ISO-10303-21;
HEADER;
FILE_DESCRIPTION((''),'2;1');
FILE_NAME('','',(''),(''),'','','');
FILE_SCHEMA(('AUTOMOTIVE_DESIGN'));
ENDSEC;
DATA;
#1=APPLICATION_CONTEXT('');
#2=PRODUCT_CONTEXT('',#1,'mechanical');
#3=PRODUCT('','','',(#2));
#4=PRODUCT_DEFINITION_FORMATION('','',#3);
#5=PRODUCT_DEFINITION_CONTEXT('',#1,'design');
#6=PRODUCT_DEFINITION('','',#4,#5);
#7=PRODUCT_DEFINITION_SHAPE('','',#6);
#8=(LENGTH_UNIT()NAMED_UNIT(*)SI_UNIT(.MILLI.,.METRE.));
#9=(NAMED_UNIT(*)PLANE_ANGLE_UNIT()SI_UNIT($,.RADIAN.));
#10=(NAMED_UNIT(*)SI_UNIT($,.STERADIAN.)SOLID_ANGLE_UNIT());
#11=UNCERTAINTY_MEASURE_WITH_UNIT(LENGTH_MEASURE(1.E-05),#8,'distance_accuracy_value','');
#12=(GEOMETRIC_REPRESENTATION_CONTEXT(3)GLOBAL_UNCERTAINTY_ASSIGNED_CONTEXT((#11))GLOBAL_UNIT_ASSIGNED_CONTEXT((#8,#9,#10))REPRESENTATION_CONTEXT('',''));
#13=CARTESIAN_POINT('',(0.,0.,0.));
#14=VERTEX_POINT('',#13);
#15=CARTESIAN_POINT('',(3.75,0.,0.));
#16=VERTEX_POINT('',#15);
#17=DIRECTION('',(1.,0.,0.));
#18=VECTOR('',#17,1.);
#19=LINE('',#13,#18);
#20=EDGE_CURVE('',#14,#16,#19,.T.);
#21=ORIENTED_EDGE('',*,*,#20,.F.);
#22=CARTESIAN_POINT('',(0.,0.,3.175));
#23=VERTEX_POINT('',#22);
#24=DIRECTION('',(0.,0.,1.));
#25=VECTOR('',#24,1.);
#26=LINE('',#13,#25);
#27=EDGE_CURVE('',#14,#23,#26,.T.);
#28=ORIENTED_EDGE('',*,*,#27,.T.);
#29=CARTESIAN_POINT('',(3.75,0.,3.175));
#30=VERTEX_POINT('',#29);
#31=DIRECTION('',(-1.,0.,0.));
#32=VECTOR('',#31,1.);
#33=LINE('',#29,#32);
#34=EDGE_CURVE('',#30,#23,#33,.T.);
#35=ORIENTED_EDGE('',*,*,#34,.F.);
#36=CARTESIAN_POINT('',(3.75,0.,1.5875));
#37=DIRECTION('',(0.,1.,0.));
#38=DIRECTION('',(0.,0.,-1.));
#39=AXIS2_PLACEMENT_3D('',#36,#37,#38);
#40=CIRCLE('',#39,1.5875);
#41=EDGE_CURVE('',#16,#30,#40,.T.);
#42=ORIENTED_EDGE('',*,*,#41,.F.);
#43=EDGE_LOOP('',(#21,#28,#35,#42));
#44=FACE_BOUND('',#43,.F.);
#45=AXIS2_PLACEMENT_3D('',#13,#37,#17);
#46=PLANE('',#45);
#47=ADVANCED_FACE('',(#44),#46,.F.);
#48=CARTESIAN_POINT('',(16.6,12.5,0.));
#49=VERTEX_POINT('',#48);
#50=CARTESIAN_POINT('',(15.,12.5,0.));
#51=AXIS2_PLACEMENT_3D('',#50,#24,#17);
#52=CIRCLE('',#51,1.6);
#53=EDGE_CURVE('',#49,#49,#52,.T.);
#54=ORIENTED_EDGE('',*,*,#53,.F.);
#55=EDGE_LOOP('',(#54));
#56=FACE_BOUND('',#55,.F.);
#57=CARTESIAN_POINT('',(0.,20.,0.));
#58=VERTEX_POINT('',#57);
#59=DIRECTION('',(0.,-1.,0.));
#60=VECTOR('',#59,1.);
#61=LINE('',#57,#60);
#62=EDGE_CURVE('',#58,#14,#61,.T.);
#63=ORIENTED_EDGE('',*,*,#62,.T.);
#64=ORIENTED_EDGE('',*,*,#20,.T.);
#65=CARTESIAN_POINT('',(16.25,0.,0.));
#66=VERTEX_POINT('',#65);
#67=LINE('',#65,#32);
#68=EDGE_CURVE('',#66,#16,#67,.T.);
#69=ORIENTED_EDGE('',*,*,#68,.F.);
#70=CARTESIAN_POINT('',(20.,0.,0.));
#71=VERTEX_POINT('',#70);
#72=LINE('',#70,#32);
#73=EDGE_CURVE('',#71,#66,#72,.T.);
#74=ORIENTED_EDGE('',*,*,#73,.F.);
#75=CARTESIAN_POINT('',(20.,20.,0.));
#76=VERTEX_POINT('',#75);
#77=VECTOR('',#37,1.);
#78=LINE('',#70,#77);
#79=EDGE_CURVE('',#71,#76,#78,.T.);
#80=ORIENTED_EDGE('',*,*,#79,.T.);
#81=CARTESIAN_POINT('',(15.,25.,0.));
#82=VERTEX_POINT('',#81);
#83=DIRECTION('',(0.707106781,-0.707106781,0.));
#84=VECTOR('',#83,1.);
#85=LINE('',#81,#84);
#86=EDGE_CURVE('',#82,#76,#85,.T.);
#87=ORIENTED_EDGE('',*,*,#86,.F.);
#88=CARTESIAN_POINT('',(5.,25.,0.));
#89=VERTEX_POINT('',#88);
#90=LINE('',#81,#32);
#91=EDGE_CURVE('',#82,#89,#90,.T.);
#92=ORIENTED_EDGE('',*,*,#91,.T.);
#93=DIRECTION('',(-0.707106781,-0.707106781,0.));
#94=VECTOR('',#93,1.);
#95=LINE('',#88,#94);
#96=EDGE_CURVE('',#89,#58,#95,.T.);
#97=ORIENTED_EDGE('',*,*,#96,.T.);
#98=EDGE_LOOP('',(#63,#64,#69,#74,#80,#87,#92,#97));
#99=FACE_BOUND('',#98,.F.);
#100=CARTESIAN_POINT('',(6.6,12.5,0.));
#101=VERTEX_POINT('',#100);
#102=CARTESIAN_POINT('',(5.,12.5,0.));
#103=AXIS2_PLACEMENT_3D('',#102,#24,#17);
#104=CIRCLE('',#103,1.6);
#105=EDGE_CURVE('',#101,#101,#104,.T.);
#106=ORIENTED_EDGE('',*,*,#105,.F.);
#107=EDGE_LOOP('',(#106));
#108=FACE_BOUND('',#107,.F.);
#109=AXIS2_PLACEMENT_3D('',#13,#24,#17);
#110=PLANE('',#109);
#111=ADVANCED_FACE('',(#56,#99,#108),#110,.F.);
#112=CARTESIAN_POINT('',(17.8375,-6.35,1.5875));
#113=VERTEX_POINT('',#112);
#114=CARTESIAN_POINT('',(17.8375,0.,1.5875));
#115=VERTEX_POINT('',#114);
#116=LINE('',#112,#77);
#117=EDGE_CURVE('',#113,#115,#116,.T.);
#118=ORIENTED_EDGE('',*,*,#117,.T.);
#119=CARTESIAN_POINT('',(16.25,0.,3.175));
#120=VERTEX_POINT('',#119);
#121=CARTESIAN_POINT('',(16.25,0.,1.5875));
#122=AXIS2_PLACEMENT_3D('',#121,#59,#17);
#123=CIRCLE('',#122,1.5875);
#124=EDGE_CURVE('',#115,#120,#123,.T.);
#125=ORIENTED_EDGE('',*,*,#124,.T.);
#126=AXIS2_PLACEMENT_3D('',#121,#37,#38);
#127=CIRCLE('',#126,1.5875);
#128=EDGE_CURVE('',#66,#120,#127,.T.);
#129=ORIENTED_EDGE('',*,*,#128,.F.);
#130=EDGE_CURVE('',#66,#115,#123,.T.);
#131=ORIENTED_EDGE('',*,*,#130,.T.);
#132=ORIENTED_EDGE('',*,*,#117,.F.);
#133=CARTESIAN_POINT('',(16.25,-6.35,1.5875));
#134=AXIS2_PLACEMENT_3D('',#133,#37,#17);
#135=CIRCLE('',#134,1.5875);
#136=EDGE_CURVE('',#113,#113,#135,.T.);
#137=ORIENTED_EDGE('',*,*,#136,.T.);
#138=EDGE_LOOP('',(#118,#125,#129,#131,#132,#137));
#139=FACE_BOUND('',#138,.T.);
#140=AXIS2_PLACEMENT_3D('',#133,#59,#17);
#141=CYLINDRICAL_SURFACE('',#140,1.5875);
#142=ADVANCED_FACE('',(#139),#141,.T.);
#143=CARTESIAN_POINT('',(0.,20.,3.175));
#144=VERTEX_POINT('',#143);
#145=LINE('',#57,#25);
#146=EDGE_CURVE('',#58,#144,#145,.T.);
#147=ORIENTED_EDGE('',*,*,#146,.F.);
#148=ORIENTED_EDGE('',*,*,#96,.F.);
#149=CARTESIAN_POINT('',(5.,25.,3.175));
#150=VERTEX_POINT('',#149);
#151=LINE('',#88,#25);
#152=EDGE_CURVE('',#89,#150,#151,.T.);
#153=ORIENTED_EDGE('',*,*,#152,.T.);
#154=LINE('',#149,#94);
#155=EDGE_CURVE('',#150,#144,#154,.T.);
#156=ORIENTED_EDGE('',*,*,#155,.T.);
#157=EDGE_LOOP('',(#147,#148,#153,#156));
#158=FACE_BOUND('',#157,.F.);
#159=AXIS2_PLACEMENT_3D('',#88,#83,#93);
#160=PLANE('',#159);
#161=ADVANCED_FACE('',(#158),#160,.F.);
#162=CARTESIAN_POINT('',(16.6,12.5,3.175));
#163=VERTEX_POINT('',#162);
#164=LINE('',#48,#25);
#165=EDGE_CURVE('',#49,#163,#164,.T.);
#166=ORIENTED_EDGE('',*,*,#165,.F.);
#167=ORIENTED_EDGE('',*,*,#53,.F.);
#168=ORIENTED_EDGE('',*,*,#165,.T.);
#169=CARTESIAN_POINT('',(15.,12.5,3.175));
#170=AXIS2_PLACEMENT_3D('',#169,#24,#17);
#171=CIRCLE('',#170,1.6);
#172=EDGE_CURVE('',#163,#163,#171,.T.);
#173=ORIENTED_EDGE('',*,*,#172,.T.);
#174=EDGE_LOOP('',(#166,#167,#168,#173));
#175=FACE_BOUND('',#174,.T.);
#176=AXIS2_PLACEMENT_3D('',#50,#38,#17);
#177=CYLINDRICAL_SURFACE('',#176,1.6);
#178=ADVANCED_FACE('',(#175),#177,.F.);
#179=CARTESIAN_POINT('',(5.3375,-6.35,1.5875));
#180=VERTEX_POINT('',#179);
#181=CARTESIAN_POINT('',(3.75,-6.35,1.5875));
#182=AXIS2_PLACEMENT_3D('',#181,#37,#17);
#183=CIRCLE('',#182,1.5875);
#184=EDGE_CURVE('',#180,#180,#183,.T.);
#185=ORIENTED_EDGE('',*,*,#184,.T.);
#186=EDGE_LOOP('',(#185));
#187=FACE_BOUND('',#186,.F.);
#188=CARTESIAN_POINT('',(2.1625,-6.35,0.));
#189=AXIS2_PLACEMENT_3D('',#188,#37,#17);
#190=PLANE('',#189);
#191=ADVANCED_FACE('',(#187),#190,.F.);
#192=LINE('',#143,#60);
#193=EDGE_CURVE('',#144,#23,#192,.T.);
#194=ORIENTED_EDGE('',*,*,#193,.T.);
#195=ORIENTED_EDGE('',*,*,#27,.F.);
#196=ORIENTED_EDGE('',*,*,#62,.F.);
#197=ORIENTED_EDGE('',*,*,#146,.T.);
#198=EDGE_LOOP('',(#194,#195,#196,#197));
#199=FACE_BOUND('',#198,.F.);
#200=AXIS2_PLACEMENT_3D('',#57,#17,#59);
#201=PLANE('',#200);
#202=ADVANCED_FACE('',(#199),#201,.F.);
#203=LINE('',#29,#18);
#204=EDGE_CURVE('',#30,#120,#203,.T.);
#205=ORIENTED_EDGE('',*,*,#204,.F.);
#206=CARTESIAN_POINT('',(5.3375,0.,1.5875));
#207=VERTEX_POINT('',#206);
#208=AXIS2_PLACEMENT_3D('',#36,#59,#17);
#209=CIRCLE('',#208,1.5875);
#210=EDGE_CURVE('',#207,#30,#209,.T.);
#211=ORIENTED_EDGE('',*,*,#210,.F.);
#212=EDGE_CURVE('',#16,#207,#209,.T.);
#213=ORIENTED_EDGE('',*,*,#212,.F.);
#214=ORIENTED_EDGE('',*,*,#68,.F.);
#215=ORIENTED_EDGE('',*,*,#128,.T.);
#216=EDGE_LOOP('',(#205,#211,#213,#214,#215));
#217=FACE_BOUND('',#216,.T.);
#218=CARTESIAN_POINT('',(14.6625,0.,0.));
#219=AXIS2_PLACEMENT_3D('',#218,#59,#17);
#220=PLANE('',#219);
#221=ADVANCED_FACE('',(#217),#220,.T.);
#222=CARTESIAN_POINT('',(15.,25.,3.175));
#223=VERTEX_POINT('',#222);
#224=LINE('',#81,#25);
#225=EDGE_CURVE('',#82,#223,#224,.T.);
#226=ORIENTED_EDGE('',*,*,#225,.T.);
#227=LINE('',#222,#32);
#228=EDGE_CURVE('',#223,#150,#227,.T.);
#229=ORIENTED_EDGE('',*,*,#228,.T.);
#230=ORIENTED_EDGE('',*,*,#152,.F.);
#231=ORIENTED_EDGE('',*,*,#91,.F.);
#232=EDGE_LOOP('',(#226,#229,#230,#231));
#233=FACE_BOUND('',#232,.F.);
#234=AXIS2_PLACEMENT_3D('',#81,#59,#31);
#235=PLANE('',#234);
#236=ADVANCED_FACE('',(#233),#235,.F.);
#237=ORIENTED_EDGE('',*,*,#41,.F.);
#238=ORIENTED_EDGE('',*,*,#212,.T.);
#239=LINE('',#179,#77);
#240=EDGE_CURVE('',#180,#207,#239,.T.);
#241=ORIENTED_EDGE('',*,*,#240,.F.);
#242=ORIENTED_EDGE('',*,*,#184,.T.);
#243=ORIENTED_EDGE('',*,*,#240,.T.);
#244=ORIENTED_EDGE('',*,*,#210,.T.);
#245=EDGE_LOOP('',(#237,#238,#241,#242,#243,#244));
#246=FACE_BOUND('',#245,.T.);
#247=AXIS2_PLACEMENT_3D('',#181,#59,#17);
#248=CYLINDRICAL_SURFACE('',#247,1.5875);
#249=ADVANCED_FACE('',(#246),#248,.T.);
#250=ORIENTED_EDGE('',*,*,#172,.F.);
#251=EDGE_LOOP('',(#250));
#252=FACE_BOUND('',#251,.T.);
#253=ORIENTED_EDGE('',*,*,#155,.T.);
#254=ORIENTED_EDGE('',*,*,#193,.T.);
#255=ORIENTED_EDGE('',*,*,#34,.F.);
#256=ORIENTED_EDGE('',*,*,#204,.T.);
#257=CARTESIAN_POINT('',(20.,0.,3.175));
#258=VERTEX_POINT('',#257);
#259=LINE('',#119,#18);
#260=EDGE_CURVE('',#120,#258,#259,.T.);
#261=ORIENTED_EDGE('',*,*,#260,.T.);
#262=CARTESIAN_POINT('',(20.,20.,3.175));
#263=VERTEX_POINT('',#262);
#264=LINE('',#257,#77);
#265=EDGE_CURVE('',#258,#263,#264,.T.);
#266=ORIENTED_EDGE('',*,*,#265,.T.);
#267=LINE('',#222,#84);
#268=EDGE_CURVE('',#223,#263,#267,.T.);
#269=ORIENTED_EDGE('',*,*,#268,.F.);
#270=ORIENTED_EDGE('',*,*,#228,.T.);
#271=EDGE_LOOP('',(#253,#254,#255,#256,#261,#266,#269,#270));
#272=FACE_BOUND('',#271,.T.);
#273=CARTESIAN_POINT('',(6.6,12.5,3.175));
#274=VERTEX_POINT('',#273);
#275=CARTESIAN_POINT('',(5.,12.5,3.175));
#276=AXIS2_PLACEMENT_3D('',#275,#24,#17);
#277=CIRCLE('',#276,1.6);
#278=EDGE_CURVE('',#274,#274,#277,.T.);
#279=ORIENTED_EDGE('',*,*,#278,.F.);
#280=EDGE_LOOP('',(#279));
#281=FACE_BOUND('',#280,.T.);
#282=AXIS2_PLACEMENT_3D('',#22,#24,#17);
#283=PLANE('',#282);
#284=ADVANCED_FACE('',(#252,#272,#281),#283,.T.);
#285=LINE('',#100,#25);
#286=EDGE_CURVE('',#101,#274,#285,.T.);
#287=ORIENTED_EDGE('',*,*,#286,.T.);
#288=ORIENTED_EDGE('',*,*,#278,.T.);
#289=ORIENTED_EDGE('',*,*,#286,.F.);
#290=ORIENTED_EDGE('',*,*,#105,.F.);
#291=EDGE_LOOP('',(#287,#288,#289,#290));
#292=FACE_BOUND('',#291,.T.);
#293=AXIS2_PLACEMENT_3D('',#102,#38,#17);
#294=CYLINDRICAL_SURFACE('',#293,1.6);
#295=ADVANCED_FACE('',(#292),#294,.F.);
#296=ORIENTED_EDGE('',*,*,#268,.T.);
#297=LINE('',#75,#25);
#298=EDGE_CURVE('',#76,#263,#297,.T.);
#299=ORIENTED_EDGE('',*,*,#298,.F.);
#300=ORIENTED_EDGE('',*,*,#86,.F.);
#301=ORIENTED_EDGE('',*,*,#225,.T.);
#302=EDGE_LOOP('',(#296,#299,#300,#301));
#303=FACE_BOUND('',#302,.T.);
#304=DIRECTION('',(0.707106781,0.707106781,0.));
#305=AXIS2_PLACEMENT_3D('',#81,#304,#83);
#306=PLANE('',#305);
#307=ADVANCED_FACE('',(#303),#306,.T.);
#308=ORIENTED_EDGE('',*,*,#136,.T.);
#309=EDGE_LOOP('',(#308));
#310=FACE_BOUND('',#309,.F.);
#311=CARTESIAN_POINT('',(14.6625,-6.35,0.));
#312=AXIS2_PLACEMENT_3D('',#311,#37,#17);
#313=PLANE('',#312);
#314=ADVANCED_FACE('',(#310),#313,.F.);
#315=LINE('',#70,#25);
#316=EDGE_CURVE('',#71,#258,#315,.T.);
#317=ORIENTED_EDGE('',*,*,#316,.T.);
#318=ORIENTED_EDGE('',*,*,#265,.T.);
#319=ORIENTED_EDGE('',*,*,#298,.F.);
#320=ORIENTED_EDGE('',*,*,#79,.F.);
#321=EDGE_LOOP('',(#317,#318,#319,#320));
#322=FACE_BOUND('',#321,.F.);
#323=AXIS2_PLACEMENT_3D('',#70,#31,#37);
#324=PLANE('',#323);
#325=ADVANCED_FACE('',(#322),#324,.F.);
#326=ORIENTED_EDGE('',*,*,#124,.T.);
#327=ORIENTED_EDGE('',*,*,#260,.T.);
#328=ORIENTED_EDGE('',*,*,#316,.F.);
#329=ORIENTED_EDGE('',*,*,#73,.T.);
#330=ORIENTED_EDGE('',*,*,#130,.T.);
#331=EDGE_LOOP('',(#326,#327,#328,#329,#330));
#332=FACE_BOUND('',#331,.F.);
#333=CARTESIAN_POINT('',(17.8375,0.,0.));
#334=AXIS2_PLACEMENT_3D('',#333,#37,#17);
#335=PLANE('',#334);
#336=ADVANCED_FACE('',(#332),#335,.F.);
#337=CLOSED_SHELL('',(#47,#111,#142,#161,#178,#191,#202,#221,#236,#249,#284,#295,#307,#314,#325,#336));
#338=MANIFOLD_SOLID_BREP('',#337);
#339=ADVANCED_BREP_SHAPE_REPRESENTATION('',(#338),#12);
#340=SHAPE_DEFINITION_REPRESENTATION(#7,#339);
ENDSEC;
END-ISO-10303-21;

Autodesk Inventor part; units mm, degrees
ref_plane "YZ Plane" through (0, 0, 0) normal (1, 0, 0) x (0, 1, 0)
ref_plane "XZ Plane" through (0, 0, 0) normal (0, 1, 0) x (-1, 0, 0)
ref_plane "XY Plane" through (0, 0, 0) normal (0, 0, 1) x (1, 0, 0)
sketch "Sketch1" plane through (0, 0, 0) normal (0, 0, 1) x (1, 0, 0)
  line L0 (0, 0) -> (20, 0)
  line L1 (20, 0) -> (20, 20)
  line L2 (15, 25) -> (5, 25)
  line L3 (0, 20) -> (0, 0)
  circle A0 centre (5, 12.5) radius 1.6
  circle A1 centre (15, 12.5) radius 1.6
  line L4 (5, 25) -> (0, 20)
  line L5 (15, 25) -> (20, 20)
  line L6 (2.1625, 0) -> (2.1625, -6.35)
  line L7 (2.1625, -6.35) -> (5.3375, -6.35)
  line L8 (5.3375, -6.35) -> (5.3375, 0)
  line L9 (14.6625, 0) -> (14.6625, -6.35)
  line L10 (14.6625, -6.35) -> (17.8375, -6.35)
  line L11 (17.8375, -6.35) -> (17.8375, 0)
  point P0 (20, 25)
  point P1 (0, 25)
  dimension "d0" = 25
  dimension "d1" = 20
  dimension "d2" = 3.2
  dimension "d3" = 5
  dimension "d4" = 12.5
  dimension "d7" = 5
  dimension "d8" = 12.5
  dimension "d9" = 5
  dimension "d10" = 5
  dimension "d11" = 5
  dimension "d12" = 5
  dimension "d13" = 3.175
  dimension "d14" = 6.35
  dimension "d15" = 9.325
  dimension "d16" = 2.1625
  dimension "d17" = 2.1625
extrude "Extrusion1" add sketch "Sketch1" along normal blind 3.175
sketch "Sketch2" plane through (14.6625, -6.35, 0) normal (0, -1, 0) x (1, 0, 0)
  line L0 (0, 0) -> (3.175, 0) projected
  line L1 (3.175, 0) -> (3.175, 3.175) projected
  line L2 (0, 3.175) -> (3.175, 3.175) projected
  line L3 (0, 0) -> (0, 3.175) projected
  circle A0 centre (1.5875, 1.5875) radius 1.5875
  point P0 (-14.6625, 0)
extrude "Extrusion2" cut sketch "Sketch2" against normal blind 6.35 contours L3 A0 L0 | A0 L1 L0 | L3 L2 A0 | A0 L2 L1
sketch "Sketch3" plane through (2.1625, -6.35, 0) normal (0, -1, 0) x (1, 0, 0)
  line L0 (0, 0) -> (3.175, 0) projected
  line L1 (3.175, 0) -> (3.175, 3.175) projected
  line L2 (0, 3.175) -> (3.175, 3.175) projected
  line L3 (0, 0) -> (0, 3.175) projected
  circle A0 centre (1.5875, 1.5875) radius 1.5875
  point P0 (-2.1625, 0)
extrude "Extrusion3" cut sketch "Sketch3" against normal blind 6.35 contours L3 A0 L0 | A0 L1 L0 | L3 L2 A0 | A0 L2 L1
equation "\"d7\" = d3"
equation "\"d8\" = d4"
equation "\"d10\" = d9"
equation "\"d11\" = d9"
equation "\"d12\" = d11"
equation "\"d16\" = d17"
properties part number "Effector_ZProbe_A"
